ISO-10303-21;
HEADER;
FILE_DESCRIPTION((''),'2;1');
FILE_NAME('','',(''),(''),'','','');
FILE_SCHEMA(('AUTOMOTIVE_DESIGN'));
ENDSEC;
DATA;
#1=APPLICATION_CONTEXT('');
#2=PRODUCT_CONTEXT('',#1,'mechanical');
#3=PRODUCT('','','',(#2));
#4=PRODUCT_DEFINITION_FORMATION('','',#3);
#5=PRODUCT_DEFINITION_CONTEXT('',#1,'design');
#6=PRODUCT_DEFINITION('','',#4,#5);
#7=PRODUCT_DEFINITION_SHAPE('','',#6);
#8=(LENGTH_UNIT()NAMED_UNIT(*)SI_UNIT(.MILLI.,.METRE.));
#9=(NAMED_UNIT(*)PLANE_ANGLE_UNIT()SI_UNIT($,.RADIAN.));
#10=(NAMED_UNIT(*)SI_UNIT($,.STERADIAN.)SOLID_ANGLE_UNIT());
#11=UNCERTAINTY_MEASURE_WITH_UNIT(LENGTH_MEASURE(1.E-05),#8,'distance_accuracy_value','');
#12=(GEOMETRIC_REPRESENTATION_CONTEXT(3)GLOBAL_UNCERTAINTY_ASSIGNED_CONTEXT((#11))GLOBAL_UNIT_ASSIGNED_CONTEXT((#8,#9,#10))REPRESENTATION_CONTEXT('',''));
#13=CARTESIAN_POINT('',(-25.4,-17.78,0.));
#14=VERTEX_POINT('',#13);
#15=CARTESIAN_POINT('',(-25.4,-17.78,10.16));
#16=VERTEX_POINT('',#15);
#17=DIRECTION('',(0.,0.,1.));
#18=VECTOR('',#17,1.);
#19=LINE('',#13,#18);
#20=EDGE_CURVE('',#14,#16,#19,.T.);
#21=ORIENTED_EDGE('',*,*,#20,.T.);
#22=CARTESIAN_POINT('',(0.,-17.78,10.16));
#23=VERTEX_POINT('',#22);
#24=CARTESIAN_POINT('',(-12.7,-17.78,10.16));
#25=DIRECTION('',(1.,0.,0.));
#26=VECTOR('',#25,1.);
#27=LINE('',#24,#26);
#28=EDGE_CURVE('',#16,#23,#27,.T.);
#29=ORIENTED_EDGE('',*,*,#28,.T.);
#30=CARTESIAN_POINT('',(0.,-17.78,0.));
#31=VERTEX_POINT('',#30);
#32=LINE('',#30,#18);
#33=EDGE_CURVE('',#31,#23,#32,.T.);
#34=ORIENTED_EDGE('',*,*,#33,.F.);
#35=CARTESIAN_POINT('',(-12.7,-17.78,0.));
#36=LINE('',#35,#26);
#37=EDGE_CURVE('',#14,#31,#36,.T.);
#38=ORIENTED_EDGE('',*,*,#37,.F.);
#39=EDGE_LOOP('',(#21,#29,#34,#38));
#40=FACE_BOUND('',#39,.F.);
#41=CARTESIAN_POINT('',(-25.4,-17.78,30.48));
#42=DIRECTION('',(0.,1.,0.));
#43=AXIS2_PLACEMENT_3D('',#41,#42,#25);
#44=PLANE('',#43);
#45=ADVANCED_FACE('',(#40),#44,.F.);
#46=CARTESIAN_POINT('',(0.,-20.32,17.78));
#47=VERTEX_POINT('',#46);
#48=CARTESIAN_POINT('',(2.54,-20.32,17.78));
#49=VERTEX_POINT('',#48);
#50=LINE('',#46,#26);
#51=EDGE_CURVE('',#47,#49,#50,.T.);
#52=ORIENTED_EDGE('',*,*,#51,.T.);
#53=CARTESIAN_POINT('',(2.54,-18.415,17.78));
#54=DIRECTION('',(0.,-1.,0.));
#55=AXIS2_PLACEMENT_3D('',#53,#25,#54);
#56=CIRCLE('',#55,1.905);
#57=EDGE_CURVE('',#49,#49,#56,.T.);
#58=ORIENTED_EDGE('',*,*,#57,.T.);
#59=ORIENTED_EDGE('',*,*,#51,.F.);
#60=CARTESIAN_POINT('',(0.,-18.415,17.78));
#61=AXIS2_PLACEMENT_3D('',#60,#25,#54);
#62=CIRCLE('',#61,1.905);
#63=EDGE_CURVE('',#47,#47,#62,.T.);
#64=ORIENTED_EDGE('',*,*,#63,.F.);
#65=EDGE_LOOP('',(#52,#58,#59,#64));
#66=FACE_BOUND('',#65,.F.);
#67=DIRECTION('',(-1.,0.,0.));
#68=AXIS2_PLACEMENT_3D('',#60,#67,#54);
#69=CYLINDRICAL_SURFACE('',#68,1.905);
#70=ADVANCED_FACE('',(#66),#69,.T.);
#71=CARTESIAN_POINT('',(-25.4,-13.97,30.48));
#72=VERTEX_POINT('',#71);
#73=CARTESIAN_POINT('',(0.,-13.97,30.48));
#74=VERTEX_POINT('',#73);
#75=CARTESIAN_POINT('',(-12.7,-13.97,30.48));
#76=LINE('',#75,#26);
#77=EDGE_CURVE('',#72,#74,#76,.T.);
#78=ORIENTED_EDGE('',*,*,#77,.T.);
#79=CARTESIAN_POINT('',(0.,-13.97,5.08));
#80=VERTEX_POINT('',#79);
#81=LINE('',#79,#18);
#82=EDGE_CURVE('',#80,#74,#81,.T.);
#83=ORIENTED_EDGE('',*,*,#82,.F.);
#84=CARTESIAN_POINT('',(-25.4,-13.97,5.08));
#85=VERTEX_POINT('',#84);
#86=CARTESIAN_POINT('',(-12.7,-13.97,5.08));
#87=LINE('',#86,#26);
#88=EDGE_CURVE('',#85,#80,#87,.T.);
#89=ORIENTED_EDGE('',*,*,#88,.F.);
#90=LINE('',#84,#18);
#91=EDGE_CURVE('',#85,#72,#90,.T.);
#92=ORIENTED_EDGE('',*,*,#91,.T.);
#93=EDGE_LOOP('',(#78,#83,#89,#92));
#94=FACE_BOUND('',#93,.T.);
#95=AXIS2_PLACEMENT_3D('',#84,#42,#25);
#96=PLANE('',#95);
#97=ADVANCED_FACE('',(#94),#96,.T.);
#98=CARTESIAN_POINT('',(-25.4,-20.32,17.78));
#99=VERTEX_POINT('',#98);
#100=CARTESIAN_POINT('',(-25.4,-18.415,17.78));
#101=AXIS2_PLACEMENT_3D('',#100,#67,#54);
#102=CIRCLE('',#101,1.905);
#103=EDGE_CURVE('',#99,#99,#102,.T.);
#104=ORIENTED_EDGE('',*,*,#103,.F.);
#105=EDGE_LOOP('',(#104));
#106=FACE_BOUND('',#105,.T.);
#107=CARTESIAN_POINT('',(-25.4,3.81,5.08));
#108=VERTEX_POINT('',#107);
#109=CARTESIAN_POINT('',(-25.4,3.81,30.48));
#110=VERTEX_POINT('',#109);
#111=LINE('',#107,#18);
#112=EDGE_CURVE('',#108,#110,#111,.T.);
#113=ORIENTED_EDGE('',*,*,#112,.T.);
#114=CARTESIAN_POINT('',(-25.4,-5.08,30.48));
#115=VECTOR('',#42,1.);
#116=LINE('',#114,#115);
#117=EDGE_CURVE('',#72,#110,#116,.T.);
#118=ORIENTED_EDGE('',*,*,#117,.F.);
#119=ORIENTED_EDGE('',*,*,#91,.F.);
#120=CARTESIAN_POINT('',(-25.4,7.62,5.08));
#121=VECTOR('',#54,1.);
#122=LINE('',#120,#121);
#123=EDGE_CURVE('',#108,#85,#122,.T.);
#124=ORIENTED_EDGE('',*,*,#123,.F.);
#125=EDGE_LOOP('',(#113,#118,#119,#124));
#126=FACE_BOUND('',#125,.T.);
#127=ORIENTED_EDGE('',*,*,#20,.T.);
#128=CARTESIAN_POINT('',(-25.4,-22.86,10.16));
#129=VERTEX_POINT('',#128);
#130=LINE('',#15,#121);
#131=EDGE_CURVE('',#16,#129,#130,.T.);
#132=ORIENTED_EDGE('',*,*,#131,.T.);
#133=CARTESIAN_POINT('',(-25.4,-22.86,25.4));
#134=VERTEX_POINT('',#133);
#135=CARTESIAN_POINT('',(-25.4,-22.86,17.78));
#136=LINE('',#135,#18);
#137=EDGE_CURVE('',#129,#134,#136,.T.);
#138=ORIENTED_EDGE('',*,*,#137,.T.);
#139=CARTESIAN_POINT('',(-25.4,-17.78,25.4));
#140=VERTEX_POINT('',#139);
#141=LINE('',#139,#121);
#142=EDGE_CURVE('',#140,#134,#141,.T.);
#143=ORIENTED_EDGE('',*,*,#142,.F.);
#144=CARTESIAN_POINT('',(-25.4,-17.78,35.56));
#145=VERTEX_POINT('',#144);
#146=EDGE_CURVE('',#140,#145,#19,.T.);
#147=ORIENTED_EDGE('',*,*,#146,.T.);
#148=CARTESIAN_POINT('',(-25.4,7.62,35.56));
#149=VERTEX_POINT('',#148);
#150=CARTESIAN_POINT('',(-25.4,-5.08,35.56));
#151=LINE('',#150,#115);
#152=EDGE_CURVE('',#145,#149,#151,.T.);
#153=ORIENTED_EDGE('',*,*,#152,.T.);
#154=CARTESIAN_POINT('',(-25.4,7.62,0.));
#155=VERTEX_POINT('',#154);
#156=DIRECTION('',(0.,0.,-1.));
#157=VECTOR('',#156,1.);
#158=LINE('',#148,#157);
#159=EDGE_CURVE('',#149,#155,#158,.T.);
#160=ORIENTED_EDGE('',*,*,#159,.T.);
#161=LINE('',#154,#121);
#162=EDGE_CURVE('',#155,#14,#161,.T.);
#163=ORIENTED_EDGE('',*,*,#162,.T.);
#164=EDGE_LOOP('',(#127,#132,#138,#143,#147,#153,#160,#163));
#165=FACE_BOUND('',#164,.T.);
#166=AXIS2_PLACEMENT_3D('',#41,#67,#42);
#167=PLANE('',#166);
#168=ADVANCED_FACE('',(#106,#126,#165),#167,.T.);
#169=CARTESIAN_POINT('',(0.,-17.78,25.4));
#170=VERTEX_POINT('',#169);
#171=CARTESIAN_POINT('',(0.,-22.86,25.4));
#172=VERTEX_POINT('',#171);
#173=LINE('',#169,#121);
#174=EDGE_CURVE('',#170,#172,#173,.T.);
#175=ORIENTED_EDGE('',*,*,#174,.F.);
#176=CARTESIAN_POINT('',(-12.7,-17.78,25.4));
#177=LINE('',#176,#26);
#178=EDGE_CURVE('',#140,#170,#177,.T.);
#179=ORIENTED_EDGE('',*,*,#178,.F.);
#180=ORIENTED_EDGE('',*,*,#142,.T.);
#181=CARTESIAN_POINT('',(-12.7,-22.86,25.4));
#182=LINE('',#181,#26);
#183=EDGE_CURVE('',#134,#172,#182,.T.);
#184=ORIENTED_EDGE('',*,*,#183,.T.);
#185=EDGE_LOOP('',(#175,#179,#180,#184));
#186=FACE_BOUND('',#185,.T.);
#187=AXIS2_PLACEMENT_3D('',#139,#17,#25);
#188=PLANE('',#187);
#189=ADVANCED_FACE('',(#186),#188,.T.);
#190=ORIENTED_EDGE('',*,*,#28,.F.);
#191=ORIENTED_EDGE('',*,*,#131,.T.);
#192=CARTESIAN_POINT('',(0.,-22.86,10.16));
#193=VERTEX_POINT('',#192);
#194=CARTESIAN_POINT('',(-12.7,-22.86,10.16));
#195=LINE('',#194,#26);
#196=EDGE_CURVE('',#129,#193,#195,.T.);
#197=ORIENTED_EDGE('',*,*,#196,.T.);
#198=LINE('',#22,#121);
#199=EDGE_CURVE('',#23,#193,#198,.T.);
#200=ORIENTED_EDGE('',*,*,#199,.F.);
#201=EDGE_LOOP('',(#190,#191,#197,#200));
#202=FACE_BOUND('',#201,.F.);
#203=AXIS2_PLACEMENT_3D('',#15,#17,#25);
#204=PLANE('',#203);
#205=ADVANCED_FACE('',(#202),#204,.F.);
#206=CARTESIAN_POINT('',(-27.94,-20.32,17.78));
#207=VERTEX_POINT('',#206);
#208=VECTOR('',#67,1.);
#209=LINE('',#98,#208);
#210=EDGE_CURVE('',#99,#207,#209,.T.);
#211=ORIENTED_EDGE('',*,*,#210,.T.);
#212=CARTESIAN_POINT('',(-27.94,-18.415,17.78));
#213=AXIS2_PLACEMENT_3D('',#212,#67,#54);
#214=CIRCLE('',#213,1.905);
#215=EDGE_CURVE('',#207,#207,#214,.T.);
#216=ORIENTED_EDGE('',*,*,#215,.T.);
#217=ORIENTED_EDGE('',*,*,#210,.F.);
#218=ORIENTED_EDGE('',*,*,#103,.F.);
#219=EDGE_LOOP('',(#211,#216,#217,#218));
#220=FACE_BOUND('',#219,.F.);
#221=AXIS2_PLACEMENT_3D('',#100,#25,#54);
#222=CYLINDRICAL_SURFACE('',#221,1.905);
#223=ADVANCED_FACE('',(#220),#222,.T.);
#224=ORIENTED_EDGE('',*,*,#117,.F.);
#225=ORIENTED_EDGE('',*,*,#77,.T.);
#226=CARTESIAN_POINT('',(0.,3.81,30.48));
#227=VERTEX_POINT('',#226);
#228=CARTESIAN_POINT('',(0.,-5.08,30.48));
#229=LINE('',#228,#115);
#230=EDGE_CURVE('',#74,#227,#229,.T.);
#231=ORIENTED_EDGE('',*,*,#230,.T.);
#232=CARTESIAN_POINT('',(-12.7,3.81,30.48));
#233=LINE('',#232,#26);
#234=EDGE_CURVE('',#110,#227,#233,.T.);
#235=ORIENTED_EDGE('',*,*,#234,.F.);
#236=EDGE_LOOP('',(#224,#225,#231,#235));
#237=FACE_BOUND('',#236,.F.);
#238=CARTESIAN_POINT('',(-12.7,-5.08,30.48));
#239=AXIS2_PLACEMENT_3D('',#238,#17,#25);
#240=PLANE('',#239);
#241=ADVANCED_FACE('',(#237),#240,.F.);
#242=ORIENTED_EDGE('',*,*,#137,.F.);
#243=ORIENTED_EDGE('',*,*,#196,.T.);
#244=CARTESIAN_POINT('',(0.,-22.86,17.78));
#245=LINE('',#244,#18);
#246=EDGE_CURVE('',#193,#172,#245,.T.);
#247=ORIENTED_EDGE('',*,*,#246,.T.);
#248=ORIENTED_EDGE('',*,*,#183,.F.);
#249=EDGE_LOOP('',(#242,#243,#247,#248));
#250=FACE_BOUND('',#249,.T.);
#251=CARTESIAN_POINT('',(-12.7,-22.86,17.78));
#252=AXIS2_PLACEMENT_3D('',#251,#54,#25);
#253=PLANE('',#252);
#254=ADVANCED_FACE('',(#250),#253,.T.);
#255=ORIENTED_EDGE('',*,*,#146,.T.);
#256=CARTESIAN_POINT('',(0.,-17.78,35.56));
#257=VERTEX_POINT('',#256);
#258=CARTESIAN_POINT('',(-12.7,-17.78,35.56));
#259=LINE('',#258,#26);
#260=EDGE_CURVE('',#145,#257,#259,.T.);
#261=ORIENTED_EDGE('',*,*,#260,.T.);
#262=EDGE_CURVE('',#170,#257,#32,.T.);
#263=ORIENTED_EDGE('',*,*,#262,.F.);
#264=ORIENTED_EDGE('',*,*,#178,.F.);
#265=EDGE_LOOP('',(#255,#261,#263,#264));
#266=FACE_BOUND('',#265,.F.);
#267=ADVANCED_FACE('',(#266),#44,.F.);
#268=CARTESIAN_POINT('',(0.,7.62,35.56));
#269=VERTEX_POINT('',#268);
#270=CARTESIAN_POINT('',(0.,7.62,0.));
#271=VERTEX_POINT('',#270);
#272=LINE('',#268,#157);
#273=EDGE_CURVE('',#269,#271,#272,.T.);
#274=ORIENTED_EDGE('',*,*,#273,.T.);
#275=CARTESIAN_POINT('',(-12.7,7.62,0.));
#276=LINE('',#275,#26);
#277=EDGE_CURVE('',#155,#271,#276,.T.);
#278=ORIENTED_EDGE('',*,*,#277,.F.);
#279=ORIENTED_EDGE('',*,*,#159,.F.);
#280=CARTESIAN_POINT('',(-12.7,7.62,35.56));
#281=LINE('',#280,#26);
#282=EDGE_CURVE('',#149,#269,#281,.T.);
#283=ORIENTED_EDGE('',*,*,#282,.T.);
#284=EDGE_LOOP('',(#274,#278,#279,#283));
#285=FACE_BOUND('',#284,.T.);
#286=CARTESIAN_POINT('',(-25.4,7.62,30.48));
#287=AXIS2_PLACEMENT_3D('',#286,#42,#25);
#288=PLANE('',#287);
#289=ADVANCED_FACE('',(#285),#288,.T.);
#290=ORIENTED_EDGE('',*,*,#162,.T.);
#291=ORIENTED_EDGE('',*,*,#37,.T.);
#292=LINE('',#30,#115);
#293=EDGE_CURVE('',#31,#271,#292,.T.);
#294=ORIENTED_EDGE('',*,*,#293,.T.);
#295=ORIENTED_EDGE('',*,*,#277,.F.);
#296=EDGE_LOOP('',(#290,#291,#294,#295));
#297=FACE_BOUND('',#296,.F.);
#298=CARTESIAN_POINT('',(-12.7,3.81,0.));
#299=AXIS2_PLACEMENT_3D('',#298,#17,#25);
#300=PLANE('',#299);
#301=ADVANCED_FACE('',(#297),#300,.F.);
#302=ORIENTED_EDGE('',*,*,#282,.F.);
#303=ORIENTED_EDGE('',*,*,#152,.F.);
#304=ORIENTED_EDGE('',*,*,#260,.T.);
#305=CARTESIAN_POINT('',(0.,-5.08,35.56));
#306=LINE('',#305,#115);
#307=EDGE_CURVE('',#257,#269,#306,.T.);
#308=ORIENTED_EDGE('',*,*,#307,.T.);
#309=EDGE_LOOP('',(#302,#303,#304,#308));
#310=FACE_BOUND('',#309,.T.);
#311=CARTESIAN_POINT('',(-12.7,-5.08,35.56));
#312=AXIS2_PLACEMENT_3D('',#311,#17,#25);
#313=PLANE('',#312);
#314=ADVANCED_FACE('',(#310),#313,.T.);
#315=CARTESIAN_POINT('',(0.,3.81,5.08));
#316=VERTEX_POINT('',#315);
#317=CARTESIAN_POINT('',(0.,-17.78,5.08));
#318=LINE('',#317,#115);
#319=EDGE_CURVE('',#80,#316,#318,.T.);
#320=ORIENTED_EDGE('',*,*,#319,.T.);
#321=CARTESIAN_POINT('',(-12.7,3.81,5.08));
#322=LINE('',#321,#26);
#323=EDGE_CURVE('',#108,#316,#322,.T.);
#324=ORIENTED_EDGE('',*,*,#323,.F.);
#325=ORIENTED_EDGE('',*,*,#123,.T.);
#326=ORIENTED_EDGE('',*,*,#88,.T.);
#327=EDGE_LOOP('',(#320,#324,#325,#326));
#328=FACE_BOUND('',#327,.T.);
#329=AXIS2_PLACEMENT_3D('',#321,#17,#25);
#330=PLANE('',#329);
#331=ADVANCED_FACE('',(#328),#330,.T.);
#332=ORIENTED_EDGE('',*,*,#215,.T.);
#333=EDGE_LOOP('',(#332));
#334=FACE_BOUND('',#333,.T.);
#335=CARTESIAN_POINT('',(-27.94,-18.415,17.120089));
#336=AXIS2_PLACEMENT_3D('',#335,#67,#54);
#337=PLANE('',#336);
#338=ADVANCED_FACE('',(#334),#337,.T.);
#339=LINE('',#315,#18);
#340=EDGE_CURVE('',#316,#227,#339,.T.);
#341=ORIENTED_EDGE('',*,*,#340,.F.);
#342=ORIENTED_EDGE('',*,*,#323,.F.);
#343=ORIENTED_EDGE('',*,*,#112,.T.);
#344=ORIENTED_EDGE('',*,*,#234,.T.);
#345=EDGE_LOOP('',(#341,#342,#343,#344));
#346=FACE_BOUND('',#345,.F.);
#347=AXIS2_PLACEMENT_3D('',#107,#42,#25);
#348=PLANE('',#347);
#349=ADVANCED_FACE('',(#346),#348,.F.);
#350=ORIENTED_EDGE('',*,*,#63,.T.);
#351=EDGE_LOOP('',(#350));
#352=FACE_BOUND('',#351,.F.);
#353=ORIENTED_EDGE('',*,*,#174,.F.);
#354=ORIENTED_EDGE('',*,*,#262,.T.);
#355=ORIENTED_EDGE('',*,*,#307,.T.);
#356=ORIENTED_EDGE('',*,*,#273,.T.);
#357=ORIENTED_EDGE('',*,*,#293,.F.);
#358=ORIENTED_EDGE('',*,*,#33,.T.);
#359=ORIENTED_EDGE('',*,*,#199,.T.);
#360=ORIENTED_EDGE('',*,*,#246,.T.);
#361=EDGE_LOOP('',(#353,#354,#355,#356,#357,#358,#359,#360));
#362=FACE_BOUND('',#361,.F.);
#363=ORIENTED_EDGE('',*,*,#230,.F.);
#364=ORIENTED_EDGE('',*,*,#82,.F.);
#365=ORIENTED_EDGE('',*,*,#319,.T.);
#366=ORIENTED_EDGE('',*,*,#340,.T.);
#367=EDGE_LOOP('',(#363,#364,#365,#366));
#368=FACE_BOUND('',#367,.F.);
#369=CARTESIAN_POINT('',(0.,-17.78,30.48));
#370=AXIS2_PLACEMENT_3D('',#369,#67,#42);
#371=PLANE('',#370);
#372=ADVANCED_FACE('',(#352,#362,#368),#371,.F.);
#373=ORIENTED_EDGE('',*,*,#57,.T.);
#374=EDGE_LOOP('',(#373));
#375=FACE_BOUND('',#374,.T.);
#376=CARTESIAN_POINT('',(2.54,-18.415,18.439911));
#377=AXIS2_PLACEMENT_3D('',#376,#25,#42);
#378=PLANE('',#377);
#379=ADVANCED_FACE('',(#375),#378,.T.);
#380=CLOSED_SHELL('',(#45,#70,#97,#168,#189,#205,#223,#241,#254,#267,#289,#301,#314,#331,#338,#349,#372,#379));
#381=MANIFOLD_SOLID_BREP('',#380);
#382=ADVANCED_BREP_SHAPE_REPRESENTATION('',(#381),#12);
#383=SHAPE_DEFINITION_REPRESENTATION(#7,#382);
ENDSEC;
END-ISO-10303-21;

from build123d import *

# Parameters (mm, degrees)
F0_W      = 25.4
F0_H      = 7.62
F0_H_2    = 17.78
F1_DEPTH  = 5.08
F2_W      = 25.4
F2_H      = 3.81
F3_DEPTH  = 25.4
F4_W      = 25.4
F4_H      = 25.4
F5_DEPTH  = 5.08
F6_W      = 25.4
F6_H      = 15.24
F7_DEPTH  = 5.08
F9_DEPTH  = 2.54
F11_DEPTH = 2.54


with BuildPart() as f1:
    # F0 (on Top) → F1 (new body)
    with BuildSketch(Plane.XY):
        with Locations((-12.7, 3.81)):
            Rectangle(F0_W, F0_H)
        with Locations((-12.7, -8.89)):
            Rectangle(F0_W, F0_H_2)
    extrude(amount=F1_DEPTH)

    # F2 (on face) → F3 (join)
    with BuildSketch(Plane.XY.offset(5.08)):
        with Locations((-12.7, -15.875)):
            Rectangle(F2_W, F2_H)
        with Locations((-12.7, 5.715)):
            Rectangle(F2_W, F2_H)
    extrude(amount=F3_DEPTH)

    # F4 (on face) → F5 (join)
    with BuildSketch(Plane.XY.offset(30.48)):
        with Locations((-12.7, -5.08)):
            Rectangle(F4_W, F4_H)
    extrude(amount=F5_DEPTH)

    # F6 (on face) → F7 (join)
    with BuildSketch(Plane.XZ.offset(17.78)):
        with Locations((-12.7, 17.78)):
            Rectangle(F6_W, F6_H)
    extrude(amount=F7_DEPTH)

    # F8 (on face) → F9 (join)
    with BuildSketch(Plane.YZ):
        with BuildLine():
            Line((-20.32, 17.78), (-18.415, 17.78))
            Line((-18.415, 17.78), (-16.51, 17.78))
            ThreePointArc((-16.51, 17.78), (-18.415, 19.685), (-20.32, 17.78))
        make_face()
        with BuildLine():
            Line((-16.51, 17.78), (-18.415, 17.78))
            Line((-18.415, 17.78), (-20.32, 17.78))
            ThreePointArc((-20.32, 17.78), (-18.415, 15.875), (-16.51, 17.78))
        make_face()
    extrude(amount=F9_DEPTH)

    # F10 (on face) → F11 (join)
    with BuildSketch(Plane(origin=(-25.4, 0, 0), x_dir=(0, -1, 0), z_dir=(-1, 0, 0))):
        with BuildLine():
            ThreePointArc((16.51, 17.78), (18.415, 15.875), (20.32, 17.78))
            Line((20.32, 17.78), (18.415, 17.78))
            Line((18.415, 17.78), (16.51, 17.78))
        make_face()
        with BuildLine():
            Line((18.415, 17.78), (20.32, 17.78))
            ThreePointArc((20.32, 17.78), (18.415, 19.685), (16.51, 17.78))
            Line((16.51, 17.78), (18.415, 17.78))
        make_face()
    extrude(amount=F11_DEPTH)


solid = f1.part
